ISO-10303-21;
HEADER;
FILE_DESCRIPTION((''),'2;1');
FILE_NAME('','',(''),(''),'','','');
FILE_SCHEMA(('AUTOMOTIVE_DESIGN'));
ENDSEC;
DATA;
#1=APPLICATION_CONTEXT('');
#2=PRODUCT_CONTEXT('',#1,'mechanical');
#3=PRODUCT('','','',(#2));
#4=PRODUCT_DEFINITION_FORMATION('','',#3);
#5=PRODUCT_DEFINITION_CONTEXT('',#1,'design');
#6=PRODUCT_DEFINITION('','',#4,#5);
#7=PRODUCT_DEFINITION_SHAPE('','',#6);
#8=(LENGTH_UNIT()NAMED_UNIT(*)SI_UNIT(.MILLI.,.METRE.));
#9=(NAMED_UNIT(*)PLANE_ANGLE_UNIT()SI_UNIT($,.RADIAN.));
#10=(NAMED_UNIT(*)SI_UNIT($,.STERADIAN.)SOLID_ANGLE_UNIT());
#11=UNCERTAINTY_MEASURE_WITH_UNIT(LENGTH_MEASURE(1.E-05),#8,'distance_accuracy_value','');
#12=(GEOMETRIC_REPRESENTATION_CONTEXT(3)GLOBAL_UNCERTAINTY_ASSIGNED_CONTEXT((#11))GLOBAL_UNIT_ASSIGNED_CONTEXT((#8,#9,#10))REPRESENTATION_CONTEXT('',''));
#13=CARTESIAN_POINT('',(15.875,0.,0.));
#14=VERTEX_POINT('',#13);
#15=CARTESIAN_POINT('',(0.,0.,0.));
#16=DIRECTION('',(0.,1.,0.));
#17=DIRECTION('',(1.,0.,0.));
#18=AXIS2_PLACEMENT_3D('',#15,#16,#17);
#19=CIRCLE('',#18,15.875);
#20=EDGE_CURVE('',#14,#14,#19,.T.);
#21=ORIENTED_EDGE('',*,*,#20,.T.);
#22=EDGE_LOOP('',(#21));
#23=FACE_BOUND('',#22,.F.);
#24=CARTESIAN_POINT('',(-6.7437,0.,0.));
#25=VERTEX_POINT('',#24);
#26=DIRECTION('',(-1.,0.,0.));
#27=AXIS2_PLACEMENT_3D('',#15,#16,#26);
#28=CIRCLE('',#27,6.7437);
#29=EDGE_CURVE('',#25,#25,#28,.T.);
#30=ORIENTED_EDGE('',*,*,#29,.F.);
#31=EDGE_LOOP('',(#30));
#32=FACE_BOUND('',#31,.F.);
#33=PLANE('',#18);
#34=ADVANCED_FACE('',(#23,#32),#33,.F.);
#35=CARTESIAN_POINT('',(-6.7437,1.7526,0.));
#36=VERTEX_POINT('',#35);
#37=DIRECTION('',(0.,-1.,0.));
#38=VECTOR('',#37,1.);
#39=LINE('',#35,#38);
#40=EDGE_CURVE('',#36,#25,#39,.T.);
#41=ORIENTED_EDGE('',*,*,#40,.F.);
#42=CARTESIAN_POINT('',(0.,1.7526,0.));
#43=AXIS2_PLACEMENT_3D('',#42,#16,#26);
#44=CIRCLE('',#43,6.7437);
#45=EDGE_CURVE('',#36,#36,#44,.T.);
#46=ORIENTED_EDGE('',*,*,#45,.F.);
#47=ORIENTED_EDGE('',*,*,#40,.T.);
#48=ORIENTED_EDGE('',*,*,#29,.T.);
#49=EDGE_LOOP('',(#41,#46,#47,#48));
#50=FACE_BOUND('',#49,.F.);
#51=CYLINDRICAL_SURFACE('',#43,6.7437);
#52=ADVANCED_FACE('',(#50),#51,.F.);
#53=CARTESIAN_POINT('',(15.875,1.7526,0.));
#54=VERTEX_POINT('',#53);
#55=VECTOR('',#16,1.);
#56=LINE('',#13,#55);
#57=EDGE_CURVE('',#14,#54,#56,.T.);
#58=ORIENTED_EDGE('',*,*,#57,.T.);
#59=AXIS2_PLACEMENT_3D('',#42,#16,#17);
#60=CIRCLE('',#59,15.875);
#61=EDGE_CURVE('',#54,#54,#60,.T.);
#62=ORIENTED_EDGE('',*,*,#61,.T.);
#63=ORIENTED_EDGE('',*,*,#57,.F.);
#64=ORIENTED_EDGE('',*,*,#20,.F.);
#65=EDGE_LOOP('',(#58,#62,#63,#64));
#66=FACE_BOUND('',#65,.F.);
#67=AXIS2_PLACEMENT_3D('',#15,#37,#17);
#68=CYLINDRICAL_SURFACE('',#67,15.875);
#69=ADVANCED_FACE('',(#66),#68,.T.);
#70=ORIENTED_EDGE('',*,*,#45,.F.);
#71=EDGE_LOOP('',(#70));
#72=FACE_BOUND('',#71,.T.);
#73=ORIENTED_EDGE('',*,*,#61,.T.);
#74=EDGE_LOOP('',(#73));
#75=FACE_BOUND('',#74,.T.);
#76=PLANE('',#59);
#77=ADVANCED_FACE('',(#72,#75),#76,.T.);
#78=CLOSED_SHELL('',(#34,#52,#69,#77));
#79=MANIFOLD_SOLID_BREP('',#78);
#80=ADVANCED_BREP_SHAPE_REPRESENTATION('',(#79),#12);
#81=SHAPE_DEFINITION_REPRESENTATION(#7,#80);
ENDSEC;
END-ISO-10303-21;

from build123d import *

# Parameters (mm, degrees)
SKETCH1_R           = 15.875
BOSS_EXTRUDE1_DEPTH = 1.7526
SKETCH5_R           = 6.7437
CUT_EXTRUDE1_DEPTH  = 2.7526


with BuildPart() as part:
    # Sketch1 → Boss-Extrude1 (new body)
    with BuildSketch(Plane(origin=(0, 0, 0), x_dir=(1, 0, 0), z_dir=(0, 1, 0))):
        Circle(SKETCH1_R)
    extrude(amount=BOSS_EXTRUDE1_DEPTH)

    # Sketch5 → Cut-Extrude1 (cut, through all)
    with BuildSketch(Plane(origin=(0, 1.7526, 0), x_dir=(-1, 0, 0), z_dir=(0, 1, 0))):
        Circle(SKETCH5_R)
    extrude(amount=-CUT_EXTRUDE1_DEPTH, mode=Mode.SUBTRACT)


solid = part.part
